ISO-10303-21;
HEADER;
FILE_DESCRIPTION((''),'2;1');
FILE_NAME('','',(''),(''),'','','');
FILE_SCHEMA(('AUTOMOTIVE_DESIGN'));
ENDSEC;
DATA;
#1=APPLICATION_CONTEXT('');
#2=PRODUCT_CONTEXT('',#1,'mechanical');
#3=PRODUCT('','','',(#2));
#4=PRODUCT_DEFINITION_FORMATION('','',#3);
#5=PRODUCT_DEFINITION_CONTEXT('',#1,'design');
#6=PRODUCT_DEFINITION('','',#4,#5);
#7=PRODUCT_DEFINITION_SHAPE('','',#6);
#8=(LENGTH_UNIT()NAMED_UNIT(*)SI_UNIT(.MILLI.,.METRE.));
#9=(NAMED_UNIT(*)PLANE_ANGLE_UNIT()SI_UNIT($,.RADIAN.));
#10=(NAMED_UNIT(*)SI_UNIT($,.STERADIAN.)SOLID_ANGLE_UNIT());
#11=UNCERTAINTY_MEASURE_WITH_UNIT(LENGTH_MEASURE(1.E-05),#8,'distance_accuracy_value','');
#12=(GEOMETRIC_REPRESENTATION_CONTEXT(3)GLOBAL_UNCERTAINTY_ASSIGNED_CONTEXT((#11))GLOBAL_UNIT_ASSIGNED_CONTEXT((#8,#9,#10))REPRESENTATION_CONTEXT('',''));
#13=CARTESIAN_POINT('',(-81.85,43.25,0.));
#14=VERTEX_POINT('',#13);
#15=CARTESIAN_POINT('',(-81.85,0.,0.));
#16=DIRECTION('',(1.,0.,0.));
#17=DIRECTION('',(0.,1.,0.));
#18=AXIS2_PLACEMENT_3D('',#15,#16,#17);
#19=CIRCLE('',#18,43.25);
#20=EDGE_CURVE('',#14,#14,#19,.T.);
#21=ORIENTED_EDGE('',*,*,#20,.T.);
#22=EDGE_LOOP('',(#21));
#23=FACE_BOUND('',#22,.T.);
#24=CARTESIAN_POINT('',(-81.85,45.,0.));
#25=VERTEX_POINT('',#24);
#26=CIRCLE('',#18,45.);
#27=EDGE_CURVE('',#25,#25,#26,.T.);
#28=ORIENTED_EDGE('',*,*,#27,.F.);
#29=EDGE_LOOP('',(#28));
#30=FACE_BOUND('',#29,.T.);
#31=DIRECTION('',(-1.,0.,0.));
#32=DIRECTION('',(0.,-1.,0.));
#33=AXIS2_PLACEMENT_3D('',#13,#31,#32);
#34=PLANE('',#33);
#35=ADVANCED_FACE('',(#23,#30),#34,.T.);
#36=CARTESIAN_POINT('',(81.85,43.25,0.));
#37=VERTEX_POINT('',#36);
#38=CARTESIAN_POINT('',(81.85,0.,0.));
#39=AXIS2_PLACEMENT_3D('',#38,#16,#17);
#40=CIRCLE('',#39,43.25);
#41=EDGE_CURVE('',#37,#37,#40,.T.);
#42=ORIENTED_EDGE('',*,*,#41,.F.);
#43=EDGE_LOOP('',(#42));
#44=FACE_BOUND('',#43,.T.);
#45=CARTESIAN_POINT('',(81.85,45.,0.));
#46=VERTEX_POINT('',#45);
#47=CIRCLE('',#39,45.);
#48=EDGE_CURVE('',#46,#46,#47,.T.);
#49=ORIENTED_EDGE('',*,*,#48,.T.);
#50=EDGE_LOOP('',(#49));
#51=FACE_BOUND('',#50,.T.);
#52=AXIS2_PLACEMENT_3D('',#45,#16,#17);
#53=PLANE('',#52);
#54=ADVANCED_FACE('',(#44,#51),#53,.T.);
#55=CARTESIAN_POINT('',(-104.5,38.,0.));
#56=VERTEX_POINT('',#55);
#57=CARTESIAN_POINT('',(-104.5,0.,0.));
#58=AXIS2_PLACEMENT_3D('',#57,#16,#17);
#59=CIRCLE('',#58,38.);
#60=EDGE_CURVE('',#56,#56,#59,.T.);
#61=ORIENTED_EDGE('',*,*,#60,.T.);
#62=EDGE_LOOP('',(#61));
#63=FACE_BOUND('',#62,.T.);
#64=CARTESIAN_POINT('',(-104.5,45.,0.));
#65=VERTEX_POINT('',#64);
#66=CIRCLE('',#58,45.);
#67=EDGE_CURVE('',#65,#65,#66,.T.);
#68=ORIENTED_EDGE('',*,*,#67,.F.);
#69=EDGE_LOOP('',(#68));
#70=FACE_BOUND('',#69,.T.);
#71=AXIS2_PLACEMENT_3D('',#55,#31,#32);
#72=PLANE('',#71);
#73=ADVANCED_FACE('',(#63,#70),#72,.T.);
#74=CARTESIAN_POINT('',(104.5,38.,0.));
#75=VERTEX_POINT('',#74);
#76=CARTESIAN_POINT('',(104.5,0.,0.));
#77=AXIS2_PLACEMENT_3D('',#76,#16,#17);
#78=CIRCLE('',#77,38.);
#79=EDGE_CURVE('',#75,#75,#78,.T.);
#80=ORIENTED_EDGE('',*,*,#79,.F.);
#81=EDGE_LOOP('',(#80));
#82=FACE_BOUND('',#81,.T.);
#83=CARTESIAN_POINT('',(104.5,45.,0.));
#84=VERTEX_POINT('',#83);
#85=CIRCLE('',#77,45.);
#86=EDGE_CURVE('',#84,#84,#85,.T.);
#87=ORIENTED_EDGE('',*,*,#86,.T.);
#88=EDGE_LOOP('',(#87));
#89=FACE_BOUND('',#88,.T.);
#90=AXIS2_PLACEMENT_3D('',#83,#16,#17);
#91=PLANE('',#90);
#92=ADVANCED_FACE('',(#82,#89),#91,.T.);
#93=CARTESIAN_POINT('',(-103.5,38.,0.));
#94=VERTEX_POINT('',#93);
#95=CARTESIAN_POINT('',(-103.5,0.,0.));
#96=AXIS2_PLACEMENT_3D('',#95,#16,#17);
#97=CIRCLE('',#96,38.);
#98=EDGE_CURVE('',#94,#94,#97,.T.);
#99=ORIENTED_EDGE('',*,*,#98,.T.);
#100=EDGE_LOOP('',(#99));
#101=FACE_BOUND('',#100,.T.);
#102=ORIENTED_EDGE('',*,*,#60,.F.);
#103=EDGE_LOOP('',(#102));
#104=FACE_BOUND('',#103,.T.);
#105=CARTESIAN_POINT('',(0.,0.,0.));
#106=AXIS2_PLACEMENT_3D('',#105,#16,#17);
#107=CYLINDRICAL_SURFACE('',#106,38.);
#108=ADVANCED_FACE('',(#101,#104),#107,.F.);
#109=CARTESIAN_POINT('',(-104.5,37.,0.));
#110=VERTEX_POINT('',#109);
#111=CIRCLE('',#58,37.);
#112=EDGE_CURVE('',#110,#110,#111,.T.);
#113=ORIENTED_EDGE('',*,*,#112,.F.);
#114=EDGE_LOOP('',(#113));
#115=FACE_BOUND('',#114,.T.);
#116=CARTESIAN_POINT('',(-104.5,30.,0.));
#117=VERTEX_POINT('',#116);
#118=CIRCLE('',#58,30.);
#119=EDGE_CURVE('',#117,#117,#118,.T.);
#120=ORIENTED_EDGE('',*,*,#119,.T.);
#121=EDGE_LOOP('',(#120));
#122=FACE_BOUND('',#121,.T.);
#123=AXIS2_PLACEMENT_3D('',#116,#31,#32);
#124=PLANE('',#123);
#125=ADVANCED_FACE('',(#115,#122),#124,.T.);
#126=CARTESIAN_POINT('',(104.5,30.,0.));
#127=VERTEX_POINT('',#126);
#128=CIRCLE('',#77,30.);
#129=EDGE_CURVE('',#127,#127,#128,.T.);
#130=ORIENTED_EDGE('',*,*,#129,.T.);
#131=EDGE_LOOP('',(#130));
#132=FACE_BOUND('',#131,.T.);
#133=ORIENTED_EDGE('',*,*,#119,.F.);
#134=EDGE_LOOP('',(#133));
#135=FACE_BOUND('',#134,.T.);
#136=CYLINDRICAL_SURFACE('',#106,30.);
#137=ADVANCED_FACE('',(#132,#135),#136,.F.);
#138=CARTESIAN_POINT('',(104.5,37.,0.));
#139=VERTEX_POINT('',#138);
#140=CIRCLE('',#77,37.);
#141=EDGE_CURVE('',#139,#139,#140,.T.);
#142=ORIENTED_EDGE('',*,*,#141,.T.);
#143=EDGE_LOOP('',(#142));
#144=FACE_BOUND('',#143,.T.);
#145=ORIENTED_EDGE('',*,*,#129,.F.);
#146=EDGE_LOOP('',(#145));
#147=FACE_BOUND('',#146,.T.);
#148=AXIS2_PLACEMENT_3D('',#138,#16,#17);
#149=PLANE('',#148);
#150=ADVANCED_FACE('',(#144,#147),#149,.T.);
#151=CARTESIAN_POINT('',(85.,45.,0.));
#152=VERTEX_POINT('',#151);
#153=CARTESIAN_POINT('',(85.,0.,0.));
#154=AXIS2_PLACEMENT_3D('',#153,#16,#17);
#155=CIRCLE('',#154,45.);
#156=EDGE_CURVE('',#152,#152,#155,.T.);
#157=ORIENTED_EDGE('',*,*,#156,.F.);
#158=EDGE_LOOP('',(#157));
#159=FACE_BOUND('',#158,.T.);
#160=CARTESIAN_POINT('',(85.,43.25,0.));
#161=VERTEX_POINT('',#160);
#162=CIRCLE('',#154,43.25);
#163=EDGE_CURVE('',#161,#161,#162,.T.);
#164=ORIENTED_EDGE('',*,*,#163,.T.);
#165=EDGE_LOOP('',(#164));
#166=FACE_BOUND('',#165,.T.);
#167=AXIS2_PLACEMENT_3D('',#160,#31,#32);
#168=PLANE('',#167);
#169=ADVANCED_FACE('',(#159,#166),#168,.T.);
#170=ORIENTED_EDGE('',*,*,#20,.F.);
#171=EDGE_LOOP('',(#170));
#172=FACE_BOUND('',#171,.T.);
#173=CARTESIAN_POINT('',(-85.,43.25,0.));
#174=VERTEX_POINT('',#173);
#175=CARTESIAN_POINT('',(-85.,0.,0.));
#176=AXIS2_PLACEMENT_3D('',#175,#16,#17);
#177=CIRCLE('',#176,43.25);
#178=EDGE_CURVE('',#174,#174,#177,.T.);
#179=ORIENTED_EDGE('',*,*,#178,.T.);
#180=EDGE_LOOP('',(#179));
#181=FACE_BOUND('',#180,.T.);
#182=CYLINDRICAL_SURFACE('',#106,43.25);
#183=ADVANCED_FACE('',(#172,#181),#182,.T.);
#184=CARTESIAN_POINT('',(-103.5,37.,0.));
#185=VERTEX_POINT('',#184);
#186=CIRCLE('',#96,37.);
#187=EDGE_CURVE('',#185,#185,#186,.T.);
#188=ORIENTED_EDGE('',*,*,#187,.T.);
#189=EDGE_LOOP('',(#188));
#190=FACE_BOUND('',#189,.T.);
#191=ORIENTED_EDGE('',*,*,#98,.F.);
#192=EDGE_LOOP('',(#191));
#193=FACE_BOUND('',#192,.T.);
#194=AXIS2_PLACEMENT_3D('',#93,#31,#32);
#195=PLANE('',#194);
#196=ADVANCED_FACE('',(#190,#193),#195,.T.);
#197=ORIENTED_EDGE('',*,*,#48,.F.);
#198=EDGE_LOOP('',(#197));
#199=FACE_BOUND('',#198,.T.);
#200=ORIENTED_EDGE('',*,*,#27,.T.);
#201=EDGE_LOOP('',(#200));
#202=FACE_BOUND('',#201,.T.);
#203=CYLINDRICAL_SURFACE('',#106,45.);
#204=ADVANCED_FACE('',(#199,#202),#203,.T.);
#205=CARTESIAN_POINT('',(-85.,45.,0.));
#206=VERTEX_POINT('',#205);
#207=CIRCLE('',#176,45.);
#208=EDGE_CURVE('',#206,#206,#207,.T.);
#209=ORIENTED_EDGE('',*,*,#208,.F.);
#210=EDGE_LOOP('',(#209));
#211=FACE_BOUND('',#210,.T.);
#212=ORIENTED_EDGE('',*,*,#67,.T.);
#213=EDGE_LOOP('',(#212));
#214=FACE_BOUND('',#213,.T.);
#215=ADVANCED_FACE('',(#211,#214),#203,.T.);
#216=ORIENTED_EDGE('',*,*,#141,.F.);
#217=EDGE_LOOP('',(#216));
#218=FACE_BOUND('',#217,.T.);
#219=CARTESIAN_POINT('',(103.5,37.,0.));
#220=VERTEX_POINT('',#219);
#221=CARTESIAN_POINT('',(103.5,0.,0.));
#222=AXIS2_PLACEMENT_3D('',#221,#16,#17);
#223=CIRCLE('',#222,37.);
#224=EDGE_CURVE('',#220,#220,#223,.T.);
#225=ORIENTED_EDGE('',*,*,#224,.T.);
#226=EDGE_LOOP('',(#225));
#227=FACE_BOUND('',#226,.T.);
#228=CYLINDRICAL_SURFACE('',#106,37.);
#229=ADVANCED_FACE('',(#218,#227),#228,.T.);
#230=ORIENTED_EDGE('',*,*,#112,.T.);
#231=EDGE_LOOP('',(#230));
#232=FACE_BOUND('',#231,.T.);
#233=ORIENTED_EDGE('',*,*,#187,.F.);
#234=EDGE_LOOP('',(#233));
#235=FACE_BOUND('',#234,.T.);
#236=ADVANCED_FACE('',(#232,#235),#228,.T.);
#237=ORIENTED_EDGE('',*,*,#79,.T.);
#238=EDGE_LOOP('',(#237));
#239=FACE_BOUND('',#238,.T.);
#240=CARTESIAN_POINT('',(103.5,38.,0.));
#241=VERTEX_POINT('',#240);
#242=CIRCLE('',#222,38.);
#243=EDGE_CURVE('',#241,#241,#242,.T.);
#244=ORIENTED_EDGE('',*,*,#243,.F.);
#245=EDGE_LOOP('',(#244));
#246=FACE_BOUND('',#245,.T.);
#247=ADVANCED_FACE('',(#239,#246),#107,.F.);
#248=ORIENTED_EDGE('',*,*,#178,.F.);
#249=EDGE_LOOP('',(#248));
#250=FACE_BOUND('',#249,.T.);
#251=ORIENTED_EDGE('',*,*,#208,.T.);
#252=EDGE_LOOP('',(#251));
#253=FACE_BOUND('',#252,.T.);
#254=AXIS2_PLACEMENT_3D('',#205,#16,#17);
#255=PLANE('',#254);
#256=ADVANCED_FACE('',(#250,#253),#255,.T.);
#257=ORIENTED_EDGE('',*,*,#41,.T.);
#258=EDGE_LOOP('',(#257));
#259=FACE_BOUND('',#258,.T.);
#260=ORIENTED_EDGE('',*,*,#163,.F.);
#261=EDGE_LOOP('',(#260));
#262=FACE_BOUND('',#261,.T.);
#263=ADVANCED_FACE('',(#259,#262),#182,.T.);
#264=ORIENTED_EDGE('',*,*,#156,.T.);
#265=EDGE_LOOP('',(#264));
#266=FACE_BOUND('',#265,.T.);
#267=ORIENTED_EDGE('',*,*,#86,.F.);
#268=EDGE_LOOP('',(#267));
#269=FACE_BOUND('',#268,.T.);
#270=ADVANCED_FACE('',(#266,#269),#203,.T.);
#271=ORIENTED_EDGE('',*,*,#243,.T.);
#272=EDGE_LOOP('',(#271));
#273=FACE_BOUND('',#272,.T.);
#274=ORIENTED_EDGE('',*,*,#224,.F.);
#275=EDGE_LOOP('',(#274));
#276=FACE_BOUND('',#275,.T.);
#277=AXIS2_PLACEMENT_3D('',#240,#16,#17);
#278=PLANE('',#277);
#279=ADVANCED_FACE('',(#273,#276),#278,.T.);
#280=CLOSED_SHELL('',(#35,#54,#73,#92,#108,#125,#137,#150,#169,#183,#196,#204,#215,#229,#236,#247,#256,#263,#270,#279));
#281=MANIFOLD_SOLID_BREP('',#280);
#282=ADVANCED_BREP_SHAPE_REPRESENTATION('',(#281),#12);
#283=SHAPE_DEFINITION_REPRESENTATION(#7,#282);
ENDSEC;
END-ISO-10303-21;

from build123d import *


with BuildPart() as part:
    # Esboço1 → Revolução1 (revolve)
    with BuildSketch(Plane.XY):
        Polygon((-104.5, 45), (-85, 45), (-85, 43.25), (-81.85, 43.25), (-81.85, 45), (81.85, 45), (81.85, 43.25), (85, 43.25), (85, 45), (104.5, 45), (104.5, 38), (103.5, 38), (103.5, 37), (104.5, 37), (104.5, 30), (-104.5, 30), (-104.5, 37), (-103.5, 37), (-103.5, 38), (-104.5, 38), align=None)
    revolve(axis=Axis((0, 0, 0), (-1, 0, 0)))


solid = part.part
